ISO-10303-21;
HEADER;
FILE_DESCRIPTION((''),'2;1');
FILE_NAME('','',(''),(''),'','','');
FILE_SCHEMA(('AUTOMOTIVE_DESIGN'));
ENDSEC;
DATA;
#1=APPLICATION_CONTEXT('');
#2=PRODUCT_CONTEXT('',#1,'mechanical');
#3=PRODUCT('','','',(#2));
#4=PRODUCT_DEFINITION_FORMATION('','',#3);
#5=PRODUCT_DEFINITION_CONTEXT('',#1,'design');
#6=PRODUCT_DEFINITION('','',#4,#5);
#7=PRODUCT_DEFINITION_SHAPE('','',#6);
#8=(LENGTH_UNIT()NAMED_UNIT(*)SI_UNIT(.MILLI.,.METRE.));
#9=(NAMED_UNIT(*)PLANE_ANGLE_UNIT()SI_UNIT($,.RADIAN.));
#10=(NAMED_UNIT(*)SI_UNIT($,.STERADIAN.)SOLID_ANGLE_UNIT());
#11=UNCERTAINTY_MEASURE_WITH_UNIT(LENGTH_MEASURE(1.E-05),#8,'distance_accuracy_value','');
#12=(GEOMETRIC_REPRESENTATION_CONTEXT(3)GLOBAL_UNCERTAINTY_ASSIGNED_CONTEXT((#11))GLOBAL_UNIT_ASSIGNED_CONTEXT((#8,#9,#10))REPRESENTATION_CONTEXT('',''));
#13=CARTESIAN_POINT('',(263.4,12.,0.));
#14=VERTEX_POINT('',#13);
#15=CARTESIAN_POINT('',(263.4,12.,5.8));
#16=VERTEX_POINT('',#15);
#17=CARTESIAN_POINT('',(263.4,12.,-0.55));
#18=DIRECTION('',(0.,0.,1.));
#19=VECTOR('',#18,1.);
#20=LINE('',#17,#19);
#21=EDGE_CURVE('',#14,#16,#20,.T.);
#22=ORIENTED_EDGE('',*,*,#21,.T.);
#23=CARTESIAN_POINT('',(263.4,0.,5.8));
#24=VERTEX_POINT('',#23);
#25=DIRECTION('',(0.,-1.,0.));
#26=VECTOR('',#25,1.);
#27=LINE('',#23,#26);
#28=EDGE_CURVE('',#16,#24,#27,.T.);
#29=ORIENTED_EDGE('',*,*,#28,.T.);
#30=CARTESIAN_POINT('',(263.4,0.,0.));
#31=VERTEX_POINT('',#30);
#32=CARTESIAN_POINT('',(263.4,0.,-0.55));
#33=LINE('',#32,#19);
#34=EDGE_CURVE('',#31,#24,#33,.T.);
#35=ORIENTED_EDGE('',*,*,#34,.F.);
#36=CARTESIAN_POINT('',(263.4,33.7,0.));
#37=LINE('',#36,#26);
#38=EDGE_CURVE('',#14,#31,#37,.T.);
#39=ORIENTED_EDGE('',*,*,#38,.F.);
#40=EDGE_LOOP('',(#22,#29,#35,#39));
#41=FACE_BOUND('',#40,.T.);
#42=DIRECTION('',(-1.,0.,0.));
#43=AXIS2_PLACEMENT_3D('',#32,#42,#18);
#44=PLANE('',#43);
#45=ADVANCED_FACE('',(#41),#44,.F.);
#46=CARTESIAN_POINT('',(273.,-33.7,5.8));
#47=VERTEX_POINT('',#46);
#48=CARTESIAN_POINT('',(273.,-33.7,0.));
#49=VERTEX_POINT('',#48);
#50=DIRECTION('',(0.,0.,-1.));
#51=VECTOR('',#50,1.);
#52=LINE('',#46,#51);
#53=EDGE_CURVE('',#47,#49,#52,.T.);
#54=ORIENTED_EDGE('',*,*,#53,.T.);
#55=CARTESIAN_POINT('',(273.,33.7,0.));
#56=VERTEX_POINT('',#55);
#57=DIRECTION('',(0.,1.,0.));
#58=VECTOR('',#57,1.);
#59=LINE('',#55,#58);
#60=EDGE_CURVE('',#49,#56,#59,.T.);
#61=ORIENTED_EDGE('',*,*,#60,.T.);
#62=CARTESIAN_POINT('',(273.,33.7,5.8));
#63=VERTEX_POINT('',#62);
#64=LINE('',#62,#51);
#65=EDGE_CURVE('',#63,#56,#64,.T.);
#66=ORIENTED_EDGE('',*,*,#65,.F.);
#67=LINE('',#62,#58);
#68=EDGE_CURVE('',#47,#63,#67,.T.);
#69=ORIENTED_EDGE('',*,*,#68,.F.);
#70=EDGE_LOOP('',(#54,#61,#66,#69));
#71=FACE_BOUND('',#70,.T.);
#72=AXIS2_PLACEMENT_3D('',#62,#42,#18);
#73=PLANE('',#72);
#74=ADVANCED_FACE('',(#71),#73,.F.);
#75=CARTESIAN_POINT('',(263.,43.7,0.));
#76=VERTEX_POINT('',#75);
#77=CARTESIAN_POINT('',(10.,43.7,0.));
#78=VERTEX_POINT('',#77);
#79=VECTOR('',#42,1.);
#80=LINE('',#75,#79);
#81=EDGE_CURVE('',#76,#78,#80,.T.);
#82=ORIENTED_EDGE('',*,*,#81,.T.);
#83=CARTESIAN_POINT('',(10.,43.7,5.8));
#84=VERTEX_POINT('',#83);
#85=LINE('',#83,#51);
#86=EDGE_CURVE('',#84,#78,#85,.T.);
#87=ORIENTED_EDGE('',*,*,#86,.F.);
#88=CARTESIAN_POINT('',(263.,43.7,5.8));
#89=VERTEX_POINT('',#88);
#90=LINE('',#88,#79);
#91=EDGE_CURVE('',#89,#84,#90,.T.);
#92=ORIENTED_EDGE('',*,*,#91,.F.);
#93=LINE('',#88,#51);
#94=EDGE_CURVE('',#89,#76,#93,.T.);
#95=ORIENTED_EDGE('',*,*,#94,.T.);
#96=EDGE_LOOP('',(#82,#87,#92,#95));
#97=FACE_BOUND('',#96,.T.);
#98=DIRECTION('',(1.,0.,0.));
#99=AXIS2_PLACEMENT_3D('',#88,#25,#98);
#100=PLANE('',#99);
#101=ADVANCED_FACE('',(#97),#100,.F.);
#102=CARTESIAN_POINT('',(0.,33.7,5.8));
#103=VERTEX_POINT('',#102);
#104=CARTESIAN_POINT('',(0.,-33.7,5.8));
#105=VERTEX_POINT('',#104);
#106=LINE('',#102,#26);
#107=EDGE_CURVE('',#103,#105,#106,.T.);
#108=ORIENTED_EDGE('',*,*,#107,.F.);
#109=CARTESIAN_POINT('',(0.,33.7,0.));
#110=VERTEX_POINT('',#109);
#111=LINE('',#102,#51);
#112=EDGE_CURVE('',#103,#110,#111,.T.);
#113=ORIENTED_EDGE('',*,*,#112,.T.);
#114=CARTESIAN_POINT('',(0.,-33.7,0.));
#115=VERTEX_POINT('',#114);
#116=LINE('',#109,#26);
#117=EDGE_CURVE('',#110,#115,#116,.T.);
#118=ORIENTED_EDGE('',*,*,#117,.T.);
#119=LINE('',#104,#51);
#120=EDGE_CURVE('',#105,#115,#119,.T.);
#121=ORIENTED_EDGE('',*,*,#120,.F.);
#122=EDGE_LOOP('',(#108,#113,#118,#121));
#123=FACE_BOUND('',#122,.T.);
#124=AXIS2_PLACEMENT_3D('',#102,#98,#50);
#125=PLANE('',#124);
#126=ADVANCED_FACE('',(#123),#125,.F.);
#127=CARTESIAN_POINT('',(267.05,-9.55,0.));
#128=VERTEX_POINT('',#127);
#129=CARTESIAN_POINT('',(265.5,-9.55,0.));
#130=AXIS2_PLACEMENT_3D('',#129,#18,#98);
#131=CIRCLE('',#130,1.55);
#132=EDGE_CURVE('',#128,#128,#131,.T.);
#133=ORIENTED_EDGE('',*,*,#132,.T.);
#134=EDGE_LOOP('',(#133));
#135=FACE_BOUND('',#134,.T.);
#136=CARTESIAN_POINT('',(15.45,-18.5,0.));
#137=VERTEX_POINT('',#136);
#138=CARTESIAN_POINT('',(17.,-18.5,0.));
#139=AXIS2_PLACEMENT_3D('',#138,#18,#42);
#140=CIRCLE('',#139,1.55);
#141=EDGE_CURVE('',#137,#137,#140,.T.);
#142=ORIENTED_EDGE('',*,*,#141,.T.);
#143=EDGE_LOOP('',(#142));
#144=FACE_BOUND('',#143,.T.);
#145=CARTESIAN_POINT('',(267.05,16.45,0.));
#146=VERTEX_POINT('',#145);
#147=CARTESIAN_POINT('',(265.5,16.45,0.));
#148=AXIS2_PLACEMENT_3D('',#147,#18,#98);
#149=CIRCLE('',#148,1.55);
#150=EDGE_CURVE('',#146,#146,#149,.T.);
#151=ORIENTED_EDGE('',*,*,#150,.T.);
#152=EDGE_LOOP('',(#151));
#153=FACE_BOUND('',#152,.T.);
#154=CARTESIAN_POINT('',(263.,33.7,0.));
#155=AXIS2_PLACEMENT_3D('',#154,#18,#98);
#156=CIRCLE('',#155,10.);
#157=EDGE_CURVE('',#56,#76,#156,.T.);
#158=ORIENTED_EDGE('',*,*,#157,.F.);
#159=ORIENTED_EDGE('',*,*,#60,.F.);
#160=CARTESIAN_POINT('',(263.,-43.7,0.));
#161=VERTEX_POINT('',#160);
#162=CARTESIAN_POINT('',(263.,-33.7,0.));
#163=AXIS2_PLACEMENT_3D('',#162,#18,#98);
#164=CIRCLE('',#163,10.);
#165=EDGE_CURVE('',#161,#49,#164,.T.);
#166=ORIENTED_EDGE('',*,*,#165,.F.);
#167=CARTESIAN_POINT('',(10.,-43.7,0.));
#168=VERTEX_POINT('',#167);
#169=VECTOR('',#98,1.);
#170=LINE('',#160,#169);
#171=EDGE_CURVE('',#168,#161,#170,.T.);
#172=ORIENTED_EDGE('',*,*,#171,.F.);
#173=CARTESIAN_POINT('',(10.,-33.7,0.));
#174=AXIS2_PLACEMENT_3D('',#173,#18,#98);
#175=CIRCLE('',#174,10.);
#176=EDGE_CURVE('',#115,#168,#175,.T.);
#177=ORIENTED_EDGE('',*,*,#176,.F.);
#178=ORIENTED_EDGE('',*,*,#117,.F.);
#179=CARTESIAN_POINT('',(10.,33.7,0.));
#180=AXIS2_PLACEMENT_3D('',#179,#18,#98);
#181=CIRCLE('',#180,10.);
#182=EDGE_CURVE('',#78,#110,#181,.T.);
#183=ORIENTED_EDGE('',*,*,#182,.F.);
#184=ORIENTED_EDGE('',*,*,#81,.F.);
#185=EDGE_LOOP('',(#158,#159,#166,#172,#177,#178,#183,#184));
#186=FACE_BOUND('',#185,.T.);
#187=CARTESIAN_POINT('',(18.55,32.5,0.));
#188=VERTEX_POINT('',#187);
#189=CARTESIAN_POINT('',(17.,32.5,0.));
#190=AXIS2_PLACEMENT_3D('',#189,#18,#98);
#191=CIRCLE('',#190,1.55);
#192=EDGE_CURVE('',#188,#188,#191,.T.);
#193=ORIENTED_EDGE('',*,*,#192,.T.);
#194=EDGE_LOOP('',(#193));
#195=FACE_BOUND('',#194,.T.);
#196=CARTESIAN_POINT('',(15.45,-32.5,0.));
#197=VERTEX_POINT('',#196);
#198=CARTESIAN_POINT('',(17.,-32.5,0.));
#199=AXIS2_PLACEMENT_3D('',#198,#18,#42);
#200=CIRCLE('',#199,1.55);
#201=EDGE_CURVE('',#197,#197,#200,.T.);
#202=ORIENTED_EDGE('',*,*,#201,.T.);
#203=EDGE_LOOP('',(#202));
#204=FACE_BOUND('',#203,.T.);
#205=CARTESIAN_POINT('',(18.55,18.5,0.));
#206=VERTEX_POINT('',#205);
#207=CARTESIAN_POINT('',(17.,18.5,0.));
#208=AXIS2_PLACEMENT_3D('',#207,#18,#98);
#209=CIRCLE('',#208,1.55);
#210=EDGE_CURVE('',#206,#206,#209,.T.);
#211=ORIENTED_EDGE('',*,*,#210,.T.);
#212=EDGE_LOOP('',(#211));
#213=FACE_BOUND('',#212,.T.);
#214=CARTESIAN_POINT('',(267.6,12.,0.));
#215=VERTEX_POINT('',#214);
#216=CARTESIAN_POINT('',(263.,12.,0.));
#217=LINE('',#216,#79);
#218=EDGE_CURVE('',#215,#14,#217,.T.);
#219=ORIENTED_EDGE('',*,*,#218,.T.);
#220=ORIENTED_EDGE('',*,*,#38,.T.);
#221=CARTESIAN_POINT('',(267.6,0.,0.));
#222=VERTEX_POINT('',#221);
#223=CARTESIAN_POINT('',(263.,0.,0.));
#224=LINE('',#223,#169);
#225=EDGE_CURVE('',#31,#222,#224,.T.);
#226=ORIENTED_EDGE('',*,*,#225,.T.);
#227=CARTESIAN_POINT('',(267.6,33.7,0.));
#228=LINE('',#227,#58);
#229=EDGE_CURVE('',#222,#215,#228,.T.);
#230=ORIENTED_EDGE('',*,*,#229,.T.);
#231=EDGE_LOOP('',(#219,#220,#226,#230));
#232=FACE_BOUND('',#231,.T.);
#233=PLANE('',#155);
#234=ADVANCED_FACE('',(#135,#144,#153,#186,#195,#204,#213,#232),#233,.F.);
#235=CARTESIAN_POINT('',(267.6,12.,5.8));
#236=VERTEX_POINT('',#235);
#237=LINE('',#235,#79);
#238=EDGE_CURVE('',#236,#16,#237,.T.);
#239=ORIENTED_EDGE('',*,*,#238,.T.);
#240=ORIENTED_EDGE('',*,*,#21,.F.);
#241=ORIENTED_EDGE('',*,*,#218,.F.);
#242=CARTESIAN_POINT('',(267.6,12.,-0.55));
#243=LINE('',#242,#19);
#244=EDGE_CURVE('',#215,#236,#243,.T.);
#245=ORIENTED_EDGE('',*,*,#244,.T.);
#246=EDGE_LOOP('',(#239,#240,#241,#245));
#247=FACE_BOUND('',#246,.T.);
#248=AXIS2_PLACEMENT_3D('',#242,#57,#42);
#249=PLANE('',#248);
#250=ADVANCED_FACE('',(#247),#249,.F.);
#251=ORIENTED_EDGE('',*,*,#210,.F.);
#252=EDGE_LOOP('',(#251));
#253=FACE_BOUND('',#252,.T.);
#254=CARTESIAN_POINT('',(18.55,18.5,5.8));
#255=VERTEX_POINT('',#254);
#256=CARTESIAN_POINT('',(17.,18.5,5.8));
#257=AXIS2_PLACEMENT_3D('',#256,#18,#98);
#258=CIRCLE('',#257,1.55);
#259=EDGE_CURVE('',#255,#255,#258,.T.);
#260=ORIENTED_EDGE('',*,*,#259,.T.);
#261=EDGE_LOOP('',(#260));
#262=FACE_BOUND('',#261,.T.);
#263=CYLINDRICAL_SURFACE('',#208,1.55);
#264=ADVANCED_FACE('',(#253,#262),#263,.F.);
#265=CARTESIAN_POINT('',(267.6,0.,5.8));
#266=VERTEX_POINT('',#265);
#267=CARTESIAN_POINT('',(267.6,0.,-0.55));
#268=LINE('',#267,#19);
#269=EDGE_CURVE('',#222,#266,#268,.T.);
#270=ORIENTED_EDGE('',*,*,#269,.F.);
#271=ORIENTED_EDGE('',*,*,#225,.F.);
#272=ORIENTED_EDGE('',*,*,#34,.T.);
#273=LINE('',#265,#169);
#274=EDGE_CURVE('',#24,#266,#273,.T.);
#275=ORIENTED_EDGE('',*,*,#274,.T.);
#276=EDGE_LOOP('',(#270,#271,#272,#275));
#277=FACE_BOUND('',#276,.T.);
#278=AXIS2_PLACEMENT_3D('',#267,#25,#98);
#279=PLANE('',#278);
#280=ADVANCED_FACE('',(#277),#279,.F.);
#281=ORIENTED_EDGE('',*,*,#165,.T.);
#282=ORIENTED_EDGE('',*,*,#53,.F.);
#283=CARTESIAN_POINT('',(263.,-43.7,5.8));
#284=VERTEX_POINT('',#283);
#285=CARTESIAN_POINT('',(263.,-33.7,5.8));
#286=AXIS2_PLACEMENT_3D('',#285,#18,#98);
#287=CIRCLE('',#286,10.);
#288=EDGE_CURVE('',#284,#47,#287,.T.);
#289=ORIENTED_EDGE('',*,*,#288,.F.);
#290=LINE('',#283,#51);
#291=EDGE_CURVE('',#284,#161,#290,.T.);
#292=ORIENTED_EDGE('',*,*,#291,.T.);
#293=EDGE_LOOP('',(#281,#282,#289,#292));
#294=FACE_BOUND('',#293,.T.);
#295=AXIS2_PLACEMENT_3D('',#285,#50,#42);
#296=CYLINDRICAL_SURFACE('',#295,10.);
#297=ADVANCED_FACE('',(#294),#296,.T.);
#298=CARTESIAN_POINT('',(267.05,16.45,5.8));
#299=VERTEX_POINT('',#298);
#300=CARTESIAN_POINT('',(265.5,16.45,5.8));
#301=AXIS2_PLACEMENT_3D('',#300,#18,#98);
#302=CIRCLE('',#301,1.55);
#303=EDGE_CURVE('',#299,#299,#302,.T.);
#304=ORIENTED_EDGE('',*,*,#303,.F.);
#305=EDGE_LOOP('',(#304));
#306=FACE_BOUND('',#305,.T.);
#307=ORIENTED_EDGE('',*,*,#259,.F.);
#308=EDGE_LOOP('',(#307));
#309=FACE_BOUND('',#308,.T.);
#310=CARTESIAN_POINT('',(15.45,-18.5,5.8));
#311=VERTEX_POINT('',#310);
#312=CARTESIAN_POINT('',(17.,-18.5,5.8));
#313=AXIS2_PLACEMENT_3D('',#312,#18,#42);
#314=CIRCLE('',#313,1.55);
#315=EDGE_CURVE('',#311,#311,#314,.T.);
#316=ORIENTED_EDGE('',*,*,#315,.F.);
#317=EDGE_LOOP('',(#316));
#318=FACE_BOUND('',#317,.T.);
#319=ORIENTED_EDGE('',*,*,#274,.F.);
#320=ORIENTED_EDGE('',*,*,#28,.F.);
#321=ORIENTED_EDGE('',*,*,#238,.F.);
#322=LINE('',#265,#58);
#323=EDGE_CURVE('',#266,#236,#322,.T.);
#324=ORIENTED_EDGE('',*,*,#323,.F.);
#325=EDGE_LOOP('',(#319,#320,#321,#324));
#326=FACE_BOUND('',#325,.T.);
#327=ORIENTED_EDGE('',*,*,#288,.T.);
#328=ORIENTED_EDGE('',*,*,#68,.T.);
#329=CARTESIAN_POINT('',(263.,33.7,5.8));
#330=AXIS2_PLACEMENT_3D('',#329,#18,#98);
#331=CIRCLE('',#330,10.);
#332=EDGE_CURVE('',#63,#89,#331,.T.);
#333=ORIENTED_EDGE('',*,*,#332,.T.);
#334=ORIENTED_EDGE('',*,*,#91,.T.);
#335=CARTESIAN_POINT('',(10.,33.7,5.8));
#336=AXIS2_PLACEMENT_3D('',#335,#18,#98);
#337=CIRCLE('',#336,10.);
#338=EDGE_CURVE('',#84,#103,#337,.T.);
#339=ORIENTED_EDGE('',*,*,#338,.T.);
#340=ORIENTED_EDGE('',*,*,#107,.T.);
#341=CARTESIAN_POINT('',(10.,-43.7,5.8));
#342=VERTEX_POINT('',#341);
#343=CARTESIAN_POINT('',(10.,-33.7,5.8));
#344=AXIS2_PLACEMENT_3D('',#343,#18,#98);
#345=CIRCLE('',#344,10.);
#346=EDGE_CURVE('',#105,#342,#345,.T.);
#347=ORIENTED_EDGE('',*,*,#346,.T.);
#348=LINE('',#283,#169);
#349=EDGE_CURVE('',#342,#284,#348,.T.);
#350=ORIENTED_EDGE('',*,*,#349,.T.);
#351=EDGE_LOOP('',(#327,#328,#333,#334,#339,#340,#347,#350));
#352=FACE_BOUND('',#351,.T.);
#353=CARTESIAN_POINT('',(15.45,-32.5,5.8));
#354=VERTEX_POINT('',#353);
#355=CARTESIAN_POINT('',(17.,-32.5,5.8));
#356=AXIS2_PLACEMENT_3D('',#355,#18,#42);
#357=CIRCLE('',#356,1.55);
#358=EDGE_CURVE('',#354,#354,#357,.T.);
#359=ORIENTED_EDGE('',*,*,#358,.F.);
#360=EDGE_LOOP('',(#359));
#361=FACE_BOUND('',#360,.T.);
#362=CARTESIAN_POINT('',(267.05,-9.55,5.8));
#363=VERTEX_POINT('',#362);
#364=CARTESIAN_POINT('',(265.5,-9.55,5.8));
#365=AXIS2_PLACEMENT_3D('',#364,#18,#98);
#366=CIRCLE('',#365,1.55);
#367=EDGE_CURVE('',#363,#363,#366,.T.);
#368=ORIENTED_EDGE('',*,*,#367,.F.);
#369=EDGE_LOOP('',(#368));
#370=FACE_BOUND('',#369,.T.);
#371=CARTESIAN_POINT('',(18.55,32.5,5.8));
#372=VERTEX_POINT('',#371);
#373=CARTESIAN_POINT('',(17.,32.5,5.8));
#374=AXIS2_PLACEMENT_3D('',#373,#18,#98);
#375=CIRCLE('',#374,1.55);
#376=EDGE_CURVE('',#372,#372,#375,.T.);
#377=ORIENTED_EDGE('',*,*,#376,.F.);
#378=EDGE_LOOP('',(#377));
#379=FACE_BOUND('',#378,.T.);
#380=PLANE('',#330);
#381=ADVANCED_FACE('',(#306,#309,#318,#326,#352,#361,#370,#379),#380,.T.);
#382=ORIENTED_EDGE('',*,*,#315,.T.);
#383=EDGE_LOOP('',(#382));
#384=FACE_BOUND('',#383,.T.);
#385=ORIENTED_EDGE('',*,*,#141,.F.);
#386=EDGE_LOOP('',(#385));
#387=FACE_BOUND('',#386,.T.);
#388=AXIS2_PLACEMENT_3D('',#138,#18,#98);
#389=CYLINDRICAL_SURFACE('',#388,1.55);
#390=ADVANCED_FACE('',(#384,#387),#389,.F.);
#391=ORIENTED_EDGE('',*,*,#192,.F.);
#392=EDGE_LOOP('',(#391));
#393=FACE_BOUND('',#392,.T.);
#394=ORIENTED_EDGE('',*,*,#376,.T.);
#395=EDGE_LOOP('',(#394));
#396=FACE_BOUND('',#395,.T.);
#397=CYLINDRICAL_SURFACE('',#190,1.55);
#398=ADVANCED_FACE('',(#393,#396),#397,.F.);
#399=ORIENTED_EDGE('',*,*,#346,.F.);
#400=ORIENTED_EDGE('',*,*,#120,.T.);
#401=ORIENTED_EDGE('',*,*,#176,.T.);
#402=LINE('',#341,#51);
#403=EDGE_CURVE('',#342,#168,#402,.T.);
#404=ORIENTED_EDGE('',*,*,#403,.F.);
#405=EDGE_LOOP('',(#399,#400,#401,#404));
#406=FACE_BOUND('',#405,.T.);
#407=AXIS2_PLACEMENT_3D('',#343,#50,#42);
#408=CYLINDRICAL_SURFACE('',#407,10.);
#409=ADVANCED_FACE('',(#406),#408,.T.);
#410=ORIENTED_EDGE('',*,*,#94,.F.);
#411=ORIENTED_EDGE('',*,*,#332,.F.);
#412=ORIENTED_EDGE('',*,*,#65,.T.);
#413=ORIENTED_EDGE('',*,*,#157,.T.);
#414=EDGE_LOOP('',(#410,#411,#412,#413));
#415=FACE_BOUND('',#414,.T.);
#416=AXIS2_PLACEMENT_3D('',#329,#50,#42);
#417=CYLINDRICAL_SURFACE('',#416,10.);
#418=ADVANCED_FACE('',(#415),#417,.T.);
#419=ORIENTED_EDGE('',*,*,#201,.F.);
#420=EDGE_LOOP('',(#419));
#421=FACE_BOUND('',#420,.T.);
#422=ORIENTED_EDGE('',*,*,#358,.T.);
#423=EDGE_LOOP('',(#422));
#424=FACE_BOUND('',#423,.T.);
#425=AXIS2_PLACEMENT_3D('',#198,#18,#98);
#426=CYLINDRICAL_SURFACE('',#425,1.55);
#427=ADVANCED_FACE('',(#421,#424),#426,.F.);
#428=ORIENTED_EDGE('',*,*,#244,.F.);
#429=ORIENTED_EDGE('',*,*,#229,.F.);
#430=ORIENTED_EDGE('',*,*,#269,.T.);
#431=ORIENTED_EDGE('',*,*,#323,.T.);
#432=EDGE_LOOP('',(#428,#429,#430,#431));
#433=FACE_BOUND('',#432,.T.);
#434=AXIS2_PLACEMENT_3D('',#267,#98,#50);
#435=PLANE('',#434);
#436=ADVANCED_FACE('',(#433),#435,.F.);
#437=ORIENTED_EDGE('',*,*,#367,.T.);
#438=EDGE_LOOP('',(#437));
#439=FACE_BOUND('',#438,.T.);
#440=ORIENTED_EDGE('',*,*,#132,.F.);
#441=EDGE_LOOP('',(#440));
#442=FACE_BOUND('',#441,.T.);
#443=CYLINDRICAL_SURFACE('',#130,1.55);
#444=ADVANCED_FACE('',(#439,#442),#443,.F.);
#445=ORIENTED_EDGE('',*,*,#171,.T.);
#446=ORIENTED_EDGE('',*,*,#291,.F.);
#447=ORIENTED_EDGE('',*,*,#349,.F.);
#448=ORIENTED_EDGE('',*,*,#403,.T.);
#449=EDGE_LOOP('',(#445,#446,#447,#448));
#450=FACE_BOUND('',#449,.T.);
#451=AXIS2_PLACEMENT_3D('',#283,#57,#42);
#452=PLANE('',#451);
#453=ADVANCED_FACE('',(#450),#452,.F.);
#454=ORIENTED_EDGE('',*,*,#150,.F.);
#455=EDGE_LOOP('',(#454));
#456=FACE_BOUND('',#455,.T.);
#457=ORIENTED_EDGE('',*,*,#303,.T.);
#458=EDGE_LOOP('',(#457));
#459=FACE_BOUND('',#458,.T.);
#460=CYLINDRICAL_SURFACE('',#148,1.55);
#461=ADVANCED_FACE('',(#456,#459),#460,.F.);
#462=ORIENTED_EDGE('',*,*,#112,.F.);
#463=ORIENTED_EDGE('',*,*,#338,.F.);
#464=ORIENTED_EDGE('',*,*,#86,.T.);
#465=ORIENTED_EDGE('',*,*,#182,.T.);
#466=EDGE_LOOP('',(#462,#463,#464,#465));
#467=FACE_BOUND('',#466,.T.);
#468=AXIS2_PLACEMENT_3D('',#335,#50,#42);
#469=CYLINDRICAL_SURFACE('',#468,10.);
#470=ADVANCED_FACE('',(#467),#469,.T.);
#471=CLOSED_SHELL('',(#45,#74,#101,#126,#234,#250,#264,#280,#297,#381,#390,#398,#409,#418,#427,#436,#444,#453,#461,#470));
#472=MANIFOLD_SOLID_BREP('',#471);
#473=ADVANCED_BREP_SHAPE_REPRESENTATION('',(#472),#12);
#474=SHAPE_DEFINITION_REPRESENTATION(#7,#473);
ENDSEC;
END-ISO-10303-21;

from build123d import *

# Parameters (mm, degrees)
BOSS_EXTRUDE1_DEPTH = 5.8
SKETCH3_W           = 4.2
SKETCH3_H           = 12
CUT_EXTRUDE1_DEPTH  = 6.35
SKETCH4_R           = 1.55
CUT_EXTRUDE2_DEPTH  = 6.8
SKETCH5_R           = 1.55
CUT_EXTRUDE3_DEPTH  = 6.8


with BuildPart() as part:
    # Sketch2 → Boss-Extrude1 (new body)
    with BuildSketch(Plane.XY):
        with BuildLine():
            Line((263, 43.7), (10, 43.7))
            ThreePointArc((10, 43.7), (2.928932188, 40.771067812), (0, 33.7))
            Line((0, 33.7), (0, -33.7))
            ThreePointArc((0, -33.7), (2.928932188, -40.771067812), (10, -43.7))
            Line((10, -43.7), (263, -43.7))
            ThreePointArc((263, -43.7), (270.071067812, -40.771067812), (273, -33.7))
            Line((273, -33.7), (273, 33.7))
            ThreePointArc((273, 33.7), (270.071067812, 40.771067812), (263, 43.7))
        make_face()
    extrude(amount=BOSS_EXTRUDE1_DEPTH)

    # Sketch3 → Cut-Extrude1 (cut)
    with BuildSketch(Plane.XY.offset(5.8)):
        with Locations((265.5, 6)):
            Rectangle(SKETCH3_W, SKETCH3_H)
    extrude(amount=-CUT_EXTRUDE1_DEPTH, mode=Mode.SUBTRACT)

    # Sketch4 → Cut-Extrude2 (cut, through all)
    with BuildSketch(Plane.XY.offset(5.8)):
        with Locations((17, 32.5)):
            Circle(SKETCH4_R)
        with Locations((17, 18.5)):
            Circle(SKETCH4_R)
        with Locations((17, -18.5)):
            Circle(SKETCH4_R)
        with Locations((17, -32.5)):
            Circle(SKETCH4_R)
    extrude(amount=-CUT_EXTRUDE2_DEPTH, mode=Mode.SUBTRACT)

    # Sketch5 → Cut-Extrude3 (cut, through all)
    with BuildSketch(Plane.XY.offset(5.8)):
        with Locations((265.5, 16.45)):
            Circle(SKETCH5_R)
        with Locations((265.5, -9.55)):
            Circle(SKETCH5_R)
    extrude(amount=-CUT_EXTRUDE3_DEPTH, mode=Mode.SUBTRACT)


solid = part.part
